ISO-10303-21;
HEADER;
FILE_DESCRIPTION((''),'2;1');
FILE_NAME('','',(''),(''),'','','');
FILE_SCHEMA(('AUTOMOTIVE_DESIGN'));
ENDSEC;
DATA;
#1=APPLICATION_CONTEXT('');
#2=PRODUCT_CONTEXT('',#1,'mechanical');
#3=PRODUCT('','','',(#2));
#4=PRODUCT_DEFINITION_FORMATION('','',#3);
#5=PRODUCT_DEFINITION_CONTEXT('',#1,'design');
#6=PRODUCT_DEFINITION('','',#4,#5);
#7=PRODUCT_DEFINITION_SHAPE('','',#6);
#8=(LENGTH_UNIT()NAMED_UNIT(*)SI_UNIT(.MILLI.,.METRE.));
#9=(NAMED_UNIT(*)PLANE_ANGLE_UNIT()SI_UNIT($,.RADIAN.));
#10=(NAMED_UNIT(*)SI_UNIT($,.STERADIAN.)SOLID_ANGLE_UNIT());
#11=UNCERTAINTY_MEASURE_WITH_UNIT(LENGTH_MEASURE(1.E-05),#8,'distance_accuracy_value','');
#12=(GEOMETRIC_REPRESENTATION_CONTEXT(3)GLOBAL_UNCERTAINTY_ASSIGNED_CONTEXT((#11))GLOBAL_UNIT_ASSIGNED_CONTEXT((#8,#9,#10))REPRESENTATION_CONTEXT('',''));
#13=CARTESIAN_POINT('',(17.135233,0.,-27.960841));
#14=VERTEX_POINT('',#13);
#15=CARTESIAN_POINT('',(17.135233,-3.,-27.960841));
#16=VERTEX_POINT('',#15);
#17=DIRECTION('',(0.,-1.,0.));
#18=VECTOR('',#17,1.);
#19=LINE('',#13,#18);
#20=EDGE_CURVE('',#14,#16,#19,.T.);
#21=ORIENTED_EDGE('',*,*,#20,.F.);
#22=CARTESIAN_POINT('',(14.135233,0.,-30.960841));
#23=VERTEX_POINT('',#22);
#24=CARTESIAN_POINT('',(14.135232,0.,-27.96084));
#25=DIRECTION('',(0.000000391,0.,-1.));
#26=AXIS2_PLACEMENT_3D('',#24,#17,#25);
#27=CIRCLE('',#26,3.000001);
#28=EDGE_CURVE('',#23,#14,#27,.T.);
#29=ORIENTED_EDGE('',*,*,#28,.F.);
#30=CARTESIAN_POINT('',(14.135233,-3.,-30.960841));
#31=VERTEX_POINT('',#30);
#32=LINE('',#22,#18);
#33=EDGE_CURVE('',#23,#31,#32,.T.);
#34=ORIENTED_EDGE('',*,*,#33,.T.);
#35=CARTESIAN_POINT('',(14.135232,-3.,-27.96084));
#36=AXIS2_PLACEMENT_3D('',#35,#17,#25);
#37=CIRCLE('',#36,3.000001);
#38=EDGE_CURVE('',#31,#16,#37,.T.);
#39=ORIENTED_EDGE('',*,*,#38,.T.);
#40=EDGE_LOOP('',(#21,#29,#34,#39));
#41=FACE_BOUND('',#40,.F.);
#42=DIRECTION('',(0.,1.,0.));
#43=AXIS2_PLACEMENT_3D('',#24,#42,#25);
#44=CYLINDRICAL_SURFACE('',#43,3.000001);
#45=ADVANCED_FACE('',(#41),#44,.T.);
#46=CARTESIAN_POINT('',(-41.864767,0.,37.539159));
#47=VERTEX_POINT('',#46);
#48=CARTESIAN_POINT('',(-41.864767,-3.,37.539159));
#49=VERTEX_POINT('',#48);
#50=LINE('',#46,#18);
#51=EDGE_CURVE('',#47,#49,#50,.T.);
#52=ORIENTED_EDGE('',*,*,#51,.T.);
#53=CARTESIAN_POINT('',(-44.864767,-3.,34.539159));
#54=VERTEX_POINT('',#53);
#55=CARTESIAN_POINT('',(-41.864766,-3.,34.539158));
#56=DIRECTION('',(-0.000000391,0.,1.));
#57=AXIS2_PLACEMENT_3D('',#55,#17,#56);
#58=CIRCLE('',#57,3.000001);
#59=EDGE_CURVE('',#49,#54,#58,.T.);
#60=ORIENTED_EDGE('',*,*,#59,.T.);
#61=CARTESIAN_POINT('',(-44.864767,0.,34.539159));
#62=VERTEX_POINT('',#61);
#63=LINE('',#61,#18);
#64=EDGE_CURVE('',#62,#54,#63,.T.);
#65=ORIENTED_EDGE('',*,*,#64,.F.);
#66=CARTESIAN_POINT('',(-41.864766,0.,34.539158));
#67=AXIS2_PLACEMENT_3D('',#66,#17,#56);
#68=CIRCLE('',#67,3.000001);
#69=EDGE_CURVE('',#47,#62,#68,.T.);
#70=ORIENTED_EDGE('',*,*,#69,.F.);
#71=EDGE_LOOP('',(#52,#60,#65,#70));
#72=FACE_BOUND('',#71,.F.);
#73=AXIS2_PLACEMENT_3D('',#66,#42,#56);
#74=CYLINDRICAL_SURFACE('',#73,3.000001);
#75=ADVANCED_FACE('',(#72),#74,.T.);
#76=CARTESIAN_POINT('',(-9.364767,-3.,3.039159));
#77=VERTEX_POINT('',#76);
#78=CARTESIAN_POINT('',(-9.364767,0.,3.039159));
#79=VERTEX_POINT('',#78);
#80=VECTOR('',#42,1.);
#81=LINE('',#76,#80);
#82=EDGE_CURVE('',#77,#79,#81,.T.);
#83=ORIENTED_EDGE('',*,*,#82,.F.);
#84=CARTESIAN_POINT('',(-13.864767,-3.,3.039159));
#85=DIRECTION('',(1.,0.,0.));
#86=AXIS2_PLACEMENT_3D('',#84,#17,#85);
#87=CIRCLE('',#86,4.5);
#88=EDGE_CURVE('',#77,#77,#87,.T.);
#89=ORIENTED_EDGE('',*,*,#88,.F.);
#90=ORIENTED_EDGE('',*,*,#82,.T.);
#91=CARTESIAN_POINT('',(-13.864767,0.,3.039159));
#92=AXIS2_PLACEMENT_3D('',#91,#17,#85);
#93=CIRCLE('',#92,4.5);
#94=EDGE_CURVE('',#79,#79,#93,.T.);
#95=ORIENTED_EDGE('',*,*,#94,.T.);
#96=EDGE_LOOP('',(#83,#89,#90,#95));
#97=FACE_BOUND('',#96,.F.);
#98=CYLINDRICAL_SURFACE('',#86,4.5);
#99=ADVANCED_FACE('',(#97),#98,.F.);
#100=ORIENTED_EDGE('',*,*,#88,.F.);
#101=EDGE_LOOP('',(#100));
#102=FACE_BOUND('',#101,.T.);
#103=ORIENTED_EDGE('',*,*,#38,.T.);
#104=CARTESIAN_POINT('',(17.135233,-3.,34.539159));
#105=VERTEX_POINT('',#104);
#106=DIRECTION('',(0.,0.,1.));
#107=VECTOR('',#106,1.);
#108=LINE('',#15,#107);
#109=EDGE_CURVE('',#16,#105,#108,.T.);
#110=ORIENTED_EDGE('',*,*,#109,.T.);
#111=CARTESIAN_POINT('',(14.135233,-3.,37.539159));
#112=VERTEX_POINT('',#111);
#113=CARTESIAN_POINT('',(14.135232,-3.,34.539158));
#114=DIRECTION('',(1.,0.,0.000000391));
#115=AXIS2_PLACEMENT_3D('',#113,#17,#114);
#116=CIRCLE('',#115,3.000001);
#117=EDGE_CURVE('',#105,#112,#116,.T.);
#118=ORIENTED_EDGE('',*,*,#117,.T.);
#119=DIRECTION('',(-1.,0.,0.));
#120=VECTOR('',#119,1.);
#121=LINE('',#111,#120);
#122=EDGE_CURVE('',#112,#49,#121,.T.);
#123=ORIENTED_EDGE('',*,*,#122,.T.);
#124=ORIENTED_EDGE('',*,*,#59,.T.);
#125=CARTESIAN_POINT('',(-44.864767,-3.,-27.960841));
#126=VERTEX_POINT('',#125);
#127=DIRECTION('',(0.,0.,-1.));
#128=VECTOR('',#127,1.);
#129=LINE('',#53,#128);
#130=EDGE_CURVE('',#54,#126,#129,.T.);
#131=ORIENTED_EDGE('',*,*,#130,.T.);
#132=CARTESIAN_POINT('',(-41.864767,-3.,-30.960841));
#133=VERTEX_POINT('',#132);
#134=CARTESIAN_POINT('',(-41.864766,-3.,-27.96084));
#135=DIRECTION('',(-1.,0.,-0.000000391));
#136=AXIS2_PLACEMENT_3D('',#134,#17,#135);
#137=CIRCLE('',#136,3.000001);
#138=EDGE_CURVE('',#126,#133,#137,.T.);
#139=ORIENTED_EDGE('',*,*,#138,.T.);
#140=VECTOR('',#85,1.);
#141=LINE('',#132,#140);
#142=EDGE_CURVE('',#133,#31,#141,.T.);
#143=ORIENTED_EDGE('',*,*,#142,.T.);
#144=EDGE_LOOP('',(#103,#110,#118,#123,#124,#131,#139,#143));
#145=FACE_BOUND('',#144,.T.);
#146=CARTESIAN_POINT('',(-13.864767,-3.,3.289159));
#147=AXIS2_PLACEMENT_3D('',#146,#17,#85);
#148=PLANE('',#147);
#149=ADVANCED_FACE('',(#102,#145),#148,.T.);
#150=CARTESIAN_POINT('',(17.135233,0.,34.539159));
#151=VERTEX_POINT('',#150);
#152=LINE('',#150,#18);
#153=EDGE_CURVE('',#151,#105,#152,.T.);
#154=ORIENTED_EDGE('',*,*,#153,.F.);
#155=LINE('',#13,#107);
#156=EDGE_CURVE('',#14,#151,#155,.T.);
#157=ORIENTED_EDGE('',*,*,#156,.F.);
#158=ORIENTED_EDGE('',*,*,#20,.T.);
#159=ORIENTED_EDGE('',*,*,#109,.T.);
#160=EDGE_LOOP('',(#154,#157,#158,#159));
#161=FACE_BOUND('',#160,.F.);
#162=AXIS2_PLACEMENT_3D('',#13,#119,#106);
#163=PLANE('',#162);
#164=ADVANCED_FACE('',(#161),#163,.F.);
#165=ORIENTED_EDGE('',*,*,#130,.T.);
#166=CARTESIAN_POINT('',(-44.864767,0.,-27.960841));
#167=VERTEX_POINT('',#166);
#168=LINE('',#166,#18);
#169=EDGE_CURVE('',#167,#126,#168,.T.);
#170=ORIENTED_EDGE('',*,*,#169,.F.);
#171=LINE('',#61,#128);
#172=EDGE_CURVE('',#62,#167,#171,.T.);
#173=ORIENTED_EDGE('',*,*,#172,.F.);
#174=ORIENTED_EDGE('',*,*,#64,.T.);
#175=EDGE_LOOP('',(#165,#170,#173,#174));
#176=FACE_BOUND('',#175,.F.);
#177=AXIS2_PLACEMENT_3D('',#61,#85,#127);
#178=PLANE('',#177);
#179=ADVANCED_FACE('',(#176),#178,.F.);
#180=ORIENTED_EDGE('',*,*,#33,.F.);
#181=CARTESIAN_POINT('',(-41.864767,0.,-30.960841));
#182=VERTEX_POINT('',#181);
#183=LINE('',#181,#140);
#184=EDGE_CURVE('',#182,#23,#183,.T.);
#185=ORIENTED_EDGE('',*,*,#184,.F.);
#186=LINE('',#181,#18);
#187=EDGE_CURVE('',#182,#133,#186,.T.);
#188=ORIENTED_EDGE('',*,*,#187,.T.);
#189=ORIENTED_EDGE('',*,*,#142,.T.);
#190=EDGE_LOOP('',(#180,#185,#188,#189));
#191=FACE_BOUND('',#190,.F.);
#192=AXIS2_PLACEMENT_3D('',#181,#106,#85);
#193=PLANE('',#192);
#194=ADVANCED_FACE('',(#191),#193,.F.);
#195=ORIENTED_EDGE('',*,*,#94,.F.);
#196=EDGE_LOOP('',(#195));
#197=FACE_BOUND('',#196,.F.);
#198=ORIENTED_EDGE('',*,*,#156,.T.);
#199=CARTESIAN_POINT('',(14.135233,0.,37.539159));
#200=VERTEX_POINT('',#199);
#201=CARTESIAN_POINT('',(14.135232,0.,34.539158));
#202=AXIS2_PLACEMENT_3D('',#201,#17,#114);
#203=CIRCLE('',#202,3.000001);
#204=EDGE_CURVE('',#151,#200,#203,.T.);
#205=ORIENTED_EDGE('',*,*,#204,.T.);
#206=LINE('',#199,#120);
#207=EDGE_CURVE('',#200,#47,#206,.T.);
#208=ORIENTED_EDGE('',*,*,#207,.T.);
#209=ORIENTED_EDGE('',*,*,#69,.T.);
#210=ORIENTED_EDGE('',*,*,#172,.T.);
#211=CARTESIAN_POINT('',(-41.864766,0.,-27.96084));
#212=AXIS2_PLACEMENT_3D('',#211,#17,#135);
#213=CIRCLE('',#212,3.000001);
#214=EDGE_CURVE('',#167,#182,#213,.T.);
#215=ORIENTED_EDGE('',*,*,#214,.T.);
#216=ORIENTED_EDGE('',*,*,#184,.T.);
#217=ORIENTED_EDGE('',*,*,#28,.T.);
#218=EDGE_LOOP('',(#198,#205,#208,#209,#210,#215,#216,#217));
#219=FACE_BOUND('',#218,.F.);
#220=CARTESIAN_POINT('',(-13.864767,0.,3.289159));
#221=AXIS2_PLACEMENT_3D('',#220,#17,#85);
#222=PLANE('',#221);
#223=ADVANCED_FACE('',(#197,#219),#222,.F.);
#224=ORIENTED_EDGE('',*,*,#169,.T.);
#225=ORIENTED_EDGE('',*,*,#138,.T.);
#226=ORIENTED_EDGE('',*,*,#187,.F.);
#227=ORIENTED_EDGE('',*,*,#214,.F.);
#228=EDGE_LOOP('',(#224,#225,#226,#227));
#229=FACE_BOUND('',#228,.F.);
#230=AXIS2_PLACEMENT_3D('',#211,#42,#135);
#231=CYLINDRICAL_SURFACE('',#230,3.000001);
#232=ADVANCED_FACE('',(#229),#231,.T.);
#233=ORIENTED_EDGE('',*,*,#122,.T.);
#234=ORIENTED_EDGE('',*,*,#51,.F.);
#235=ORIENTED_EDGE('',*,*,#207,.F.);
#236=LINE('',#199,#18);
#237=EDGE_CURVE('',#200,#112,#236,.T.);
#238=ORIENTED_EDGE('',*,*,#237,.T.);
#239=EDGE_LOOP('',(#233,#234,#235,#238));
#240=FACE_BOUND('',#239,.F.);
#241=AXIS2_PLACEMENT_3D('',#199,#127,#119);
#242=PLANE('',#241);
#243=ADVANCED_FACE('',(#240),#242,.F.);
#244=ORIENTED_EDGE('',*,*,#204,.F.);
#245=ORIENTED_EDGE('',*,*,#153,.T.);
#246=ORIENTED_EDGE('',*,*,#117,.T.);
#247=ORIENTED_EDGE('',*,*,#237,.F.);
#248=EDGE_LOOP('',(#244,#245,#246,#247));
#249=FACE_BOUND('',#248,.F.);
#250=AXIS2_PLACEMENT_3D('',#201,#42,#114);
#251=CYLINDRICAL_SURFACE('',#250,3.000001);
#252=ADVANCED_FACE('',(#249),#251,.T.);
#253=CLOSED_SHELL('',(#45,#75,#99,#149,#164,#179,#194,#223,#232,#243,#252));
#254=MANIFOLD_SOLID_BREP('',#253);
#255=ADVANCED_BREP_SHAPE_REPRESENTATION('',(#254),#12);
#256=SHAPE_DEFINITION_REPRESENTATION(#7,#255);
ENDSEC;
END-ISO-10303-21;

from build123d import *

# Parameters (mm, degrees)
F1_DEPTH = 3
F2_R     = 4.5
F3_DEPTH = 25


with BuildPart() as f1:
    # F0 (on Front) → F1 (new body)
    with BuildSketch(Plane.XZ):
        with BuildLine():
            Line((14.135233, 37.539159), (-41.864767, 37.539159))
            ThreePointArc((-41.864767, 37.539159), (-43.986087, 36.660479), (-44.864767, 34.539159))
            Line((-44.864767, 34.539159), (-44.864767, -27.960841))
            ThreePointArc((-44.864767, -27.960841), (-43.986087, -30.082161), (-41.864767, -30.960841))
            Line((-41.864767, -30.960841), (14.135233, -30.960841))
            ThreePointArc((14.135233, -30.960841), (16.256553, -30.082161), (17.135233, -27.960841))
            Line((17.135233, -27.960841), (17.135233, 34.539159))
            ThreePointArc((17.135233, 34.539159), (16.256553, 36.660479), (14.135233, 37.539159))
        make_face()
    extrude(amount=F1_DEPTH)

    # F2 (on face) → F3 (cut)
    with BuildSketch(Plane.XZ.offset(3)):
        with Locations((-13.864767, 3.039159)):
            Circle(F2_R)
    extrude(amount=-F3_DEPTH, mode=Mode.SUBTRACT)


solid = f1.part
